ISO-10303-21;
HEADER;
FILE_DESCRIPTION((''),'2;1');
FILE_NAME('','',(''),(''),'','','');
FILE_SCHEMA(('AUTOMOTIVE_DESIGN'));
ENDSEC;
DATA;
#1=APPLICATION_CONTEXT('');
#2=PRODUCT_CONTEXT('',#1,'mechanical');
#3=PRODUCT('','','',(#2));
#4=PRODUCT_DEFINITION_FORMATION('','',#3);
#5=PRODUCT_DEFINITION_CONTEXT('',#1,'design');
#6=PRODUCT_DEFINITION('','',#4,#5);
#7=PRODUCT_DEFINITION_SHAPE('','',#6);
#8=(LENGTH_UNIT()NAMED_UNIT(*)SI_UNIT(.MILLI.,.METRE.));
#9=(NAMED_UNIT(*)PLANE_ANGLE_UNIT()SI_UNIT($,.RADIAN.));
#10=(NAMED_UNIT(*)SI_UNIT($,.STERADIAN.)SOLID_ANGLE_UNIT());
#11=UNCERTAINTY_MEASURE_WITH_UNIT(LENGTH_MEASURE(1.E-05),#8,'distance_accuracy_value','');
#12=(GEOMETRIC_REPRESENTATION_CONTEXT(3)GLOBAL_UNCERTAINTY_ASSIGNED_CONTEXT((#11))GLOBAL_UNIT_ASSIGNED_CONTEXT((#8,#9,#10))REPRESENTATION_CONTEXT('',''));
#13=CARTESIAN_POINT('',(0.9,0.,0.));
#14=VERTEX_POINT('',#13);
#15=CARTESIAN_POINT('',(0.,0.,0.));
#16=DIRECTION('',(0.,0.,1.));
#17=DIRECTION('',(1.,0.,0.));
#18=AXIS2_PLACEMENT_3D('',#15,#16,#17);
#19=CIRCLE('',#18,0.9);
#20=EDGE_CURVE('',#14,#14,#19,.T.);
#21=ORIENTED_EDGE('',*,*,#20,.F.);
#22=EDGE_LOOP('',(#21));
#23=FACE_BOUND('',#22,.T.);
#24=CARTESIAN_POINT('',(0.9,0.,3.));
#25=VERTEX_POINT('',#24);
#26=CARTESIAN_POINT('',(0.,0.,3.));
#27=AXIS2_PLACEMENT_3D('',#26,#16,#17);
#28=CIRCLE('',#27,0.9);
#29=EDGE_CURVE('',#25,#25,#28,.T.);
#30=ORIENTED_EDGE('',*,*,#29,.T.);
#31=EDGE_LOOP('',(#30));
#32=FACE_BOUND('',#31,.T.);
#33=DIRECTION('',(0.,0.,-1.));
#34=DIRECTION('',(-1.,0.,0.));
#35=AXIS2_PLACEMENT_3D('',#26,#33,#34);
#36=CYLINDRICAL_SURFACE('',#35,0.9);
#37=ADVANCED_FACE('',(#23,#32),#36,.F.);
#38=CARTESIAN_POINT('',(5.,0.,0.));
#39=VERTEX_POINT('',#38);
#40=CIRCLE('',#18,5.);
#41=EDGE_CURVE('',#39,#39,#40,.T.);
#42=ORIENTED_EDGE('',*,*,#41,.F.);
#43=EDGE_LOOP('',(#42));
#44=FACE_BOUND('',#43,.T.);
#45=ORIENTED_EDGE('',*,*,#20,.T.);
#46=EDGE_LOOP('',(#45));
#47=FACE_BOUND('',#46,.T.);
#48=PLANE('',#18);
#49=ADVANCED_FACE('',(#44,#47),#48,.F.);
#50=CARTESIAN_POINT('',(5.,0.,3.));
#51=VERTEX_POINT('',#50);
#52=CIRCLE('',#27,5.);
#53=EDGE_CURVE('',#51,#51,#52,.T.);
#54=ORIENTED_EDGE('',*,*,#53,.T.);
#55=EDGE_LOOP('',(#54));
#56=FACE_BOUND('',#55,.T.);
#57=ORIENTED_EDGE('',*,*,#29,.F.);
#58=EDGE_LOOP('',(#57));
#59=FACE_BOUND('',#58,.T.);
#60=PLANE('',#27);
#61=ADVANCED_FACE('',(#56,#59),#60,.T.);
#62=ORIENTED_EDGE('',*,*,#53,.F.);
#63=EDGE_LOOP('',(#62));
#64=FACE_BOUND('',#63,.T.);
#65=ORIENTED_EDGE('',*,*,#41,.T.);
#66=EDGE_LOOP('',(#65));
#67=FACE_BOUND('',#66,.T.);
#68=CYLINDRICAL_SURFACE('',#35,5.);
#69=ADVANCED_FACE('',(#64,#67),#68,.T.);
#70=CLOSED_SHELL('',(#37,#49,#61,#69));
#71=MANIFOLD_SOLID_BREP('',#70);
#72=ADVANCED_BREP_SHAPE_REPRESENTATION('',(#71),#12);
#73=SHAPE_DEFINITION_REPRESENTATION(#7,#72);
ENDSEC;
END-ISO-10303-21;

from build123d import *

# Parameters (mm, degrees)
CROQUIS1_R              = 5
CROQUIS1_R_2            = 0.9
SALIENTE_EXTRUIR1_DEPTH = 3


with BuildPart() as part:
    # Croquis1 → Saliente-Extruir1 (new body)
    with BuildSketch(Plane.XY):
        Circle(CROQUIS1_R)
        Circle(CROQUIS1_R_2, mode=Mode.SUBTRACT)
    extrude(amount=SALIENTE_EXTRUIR1_DEPTH)


solid = part.part
